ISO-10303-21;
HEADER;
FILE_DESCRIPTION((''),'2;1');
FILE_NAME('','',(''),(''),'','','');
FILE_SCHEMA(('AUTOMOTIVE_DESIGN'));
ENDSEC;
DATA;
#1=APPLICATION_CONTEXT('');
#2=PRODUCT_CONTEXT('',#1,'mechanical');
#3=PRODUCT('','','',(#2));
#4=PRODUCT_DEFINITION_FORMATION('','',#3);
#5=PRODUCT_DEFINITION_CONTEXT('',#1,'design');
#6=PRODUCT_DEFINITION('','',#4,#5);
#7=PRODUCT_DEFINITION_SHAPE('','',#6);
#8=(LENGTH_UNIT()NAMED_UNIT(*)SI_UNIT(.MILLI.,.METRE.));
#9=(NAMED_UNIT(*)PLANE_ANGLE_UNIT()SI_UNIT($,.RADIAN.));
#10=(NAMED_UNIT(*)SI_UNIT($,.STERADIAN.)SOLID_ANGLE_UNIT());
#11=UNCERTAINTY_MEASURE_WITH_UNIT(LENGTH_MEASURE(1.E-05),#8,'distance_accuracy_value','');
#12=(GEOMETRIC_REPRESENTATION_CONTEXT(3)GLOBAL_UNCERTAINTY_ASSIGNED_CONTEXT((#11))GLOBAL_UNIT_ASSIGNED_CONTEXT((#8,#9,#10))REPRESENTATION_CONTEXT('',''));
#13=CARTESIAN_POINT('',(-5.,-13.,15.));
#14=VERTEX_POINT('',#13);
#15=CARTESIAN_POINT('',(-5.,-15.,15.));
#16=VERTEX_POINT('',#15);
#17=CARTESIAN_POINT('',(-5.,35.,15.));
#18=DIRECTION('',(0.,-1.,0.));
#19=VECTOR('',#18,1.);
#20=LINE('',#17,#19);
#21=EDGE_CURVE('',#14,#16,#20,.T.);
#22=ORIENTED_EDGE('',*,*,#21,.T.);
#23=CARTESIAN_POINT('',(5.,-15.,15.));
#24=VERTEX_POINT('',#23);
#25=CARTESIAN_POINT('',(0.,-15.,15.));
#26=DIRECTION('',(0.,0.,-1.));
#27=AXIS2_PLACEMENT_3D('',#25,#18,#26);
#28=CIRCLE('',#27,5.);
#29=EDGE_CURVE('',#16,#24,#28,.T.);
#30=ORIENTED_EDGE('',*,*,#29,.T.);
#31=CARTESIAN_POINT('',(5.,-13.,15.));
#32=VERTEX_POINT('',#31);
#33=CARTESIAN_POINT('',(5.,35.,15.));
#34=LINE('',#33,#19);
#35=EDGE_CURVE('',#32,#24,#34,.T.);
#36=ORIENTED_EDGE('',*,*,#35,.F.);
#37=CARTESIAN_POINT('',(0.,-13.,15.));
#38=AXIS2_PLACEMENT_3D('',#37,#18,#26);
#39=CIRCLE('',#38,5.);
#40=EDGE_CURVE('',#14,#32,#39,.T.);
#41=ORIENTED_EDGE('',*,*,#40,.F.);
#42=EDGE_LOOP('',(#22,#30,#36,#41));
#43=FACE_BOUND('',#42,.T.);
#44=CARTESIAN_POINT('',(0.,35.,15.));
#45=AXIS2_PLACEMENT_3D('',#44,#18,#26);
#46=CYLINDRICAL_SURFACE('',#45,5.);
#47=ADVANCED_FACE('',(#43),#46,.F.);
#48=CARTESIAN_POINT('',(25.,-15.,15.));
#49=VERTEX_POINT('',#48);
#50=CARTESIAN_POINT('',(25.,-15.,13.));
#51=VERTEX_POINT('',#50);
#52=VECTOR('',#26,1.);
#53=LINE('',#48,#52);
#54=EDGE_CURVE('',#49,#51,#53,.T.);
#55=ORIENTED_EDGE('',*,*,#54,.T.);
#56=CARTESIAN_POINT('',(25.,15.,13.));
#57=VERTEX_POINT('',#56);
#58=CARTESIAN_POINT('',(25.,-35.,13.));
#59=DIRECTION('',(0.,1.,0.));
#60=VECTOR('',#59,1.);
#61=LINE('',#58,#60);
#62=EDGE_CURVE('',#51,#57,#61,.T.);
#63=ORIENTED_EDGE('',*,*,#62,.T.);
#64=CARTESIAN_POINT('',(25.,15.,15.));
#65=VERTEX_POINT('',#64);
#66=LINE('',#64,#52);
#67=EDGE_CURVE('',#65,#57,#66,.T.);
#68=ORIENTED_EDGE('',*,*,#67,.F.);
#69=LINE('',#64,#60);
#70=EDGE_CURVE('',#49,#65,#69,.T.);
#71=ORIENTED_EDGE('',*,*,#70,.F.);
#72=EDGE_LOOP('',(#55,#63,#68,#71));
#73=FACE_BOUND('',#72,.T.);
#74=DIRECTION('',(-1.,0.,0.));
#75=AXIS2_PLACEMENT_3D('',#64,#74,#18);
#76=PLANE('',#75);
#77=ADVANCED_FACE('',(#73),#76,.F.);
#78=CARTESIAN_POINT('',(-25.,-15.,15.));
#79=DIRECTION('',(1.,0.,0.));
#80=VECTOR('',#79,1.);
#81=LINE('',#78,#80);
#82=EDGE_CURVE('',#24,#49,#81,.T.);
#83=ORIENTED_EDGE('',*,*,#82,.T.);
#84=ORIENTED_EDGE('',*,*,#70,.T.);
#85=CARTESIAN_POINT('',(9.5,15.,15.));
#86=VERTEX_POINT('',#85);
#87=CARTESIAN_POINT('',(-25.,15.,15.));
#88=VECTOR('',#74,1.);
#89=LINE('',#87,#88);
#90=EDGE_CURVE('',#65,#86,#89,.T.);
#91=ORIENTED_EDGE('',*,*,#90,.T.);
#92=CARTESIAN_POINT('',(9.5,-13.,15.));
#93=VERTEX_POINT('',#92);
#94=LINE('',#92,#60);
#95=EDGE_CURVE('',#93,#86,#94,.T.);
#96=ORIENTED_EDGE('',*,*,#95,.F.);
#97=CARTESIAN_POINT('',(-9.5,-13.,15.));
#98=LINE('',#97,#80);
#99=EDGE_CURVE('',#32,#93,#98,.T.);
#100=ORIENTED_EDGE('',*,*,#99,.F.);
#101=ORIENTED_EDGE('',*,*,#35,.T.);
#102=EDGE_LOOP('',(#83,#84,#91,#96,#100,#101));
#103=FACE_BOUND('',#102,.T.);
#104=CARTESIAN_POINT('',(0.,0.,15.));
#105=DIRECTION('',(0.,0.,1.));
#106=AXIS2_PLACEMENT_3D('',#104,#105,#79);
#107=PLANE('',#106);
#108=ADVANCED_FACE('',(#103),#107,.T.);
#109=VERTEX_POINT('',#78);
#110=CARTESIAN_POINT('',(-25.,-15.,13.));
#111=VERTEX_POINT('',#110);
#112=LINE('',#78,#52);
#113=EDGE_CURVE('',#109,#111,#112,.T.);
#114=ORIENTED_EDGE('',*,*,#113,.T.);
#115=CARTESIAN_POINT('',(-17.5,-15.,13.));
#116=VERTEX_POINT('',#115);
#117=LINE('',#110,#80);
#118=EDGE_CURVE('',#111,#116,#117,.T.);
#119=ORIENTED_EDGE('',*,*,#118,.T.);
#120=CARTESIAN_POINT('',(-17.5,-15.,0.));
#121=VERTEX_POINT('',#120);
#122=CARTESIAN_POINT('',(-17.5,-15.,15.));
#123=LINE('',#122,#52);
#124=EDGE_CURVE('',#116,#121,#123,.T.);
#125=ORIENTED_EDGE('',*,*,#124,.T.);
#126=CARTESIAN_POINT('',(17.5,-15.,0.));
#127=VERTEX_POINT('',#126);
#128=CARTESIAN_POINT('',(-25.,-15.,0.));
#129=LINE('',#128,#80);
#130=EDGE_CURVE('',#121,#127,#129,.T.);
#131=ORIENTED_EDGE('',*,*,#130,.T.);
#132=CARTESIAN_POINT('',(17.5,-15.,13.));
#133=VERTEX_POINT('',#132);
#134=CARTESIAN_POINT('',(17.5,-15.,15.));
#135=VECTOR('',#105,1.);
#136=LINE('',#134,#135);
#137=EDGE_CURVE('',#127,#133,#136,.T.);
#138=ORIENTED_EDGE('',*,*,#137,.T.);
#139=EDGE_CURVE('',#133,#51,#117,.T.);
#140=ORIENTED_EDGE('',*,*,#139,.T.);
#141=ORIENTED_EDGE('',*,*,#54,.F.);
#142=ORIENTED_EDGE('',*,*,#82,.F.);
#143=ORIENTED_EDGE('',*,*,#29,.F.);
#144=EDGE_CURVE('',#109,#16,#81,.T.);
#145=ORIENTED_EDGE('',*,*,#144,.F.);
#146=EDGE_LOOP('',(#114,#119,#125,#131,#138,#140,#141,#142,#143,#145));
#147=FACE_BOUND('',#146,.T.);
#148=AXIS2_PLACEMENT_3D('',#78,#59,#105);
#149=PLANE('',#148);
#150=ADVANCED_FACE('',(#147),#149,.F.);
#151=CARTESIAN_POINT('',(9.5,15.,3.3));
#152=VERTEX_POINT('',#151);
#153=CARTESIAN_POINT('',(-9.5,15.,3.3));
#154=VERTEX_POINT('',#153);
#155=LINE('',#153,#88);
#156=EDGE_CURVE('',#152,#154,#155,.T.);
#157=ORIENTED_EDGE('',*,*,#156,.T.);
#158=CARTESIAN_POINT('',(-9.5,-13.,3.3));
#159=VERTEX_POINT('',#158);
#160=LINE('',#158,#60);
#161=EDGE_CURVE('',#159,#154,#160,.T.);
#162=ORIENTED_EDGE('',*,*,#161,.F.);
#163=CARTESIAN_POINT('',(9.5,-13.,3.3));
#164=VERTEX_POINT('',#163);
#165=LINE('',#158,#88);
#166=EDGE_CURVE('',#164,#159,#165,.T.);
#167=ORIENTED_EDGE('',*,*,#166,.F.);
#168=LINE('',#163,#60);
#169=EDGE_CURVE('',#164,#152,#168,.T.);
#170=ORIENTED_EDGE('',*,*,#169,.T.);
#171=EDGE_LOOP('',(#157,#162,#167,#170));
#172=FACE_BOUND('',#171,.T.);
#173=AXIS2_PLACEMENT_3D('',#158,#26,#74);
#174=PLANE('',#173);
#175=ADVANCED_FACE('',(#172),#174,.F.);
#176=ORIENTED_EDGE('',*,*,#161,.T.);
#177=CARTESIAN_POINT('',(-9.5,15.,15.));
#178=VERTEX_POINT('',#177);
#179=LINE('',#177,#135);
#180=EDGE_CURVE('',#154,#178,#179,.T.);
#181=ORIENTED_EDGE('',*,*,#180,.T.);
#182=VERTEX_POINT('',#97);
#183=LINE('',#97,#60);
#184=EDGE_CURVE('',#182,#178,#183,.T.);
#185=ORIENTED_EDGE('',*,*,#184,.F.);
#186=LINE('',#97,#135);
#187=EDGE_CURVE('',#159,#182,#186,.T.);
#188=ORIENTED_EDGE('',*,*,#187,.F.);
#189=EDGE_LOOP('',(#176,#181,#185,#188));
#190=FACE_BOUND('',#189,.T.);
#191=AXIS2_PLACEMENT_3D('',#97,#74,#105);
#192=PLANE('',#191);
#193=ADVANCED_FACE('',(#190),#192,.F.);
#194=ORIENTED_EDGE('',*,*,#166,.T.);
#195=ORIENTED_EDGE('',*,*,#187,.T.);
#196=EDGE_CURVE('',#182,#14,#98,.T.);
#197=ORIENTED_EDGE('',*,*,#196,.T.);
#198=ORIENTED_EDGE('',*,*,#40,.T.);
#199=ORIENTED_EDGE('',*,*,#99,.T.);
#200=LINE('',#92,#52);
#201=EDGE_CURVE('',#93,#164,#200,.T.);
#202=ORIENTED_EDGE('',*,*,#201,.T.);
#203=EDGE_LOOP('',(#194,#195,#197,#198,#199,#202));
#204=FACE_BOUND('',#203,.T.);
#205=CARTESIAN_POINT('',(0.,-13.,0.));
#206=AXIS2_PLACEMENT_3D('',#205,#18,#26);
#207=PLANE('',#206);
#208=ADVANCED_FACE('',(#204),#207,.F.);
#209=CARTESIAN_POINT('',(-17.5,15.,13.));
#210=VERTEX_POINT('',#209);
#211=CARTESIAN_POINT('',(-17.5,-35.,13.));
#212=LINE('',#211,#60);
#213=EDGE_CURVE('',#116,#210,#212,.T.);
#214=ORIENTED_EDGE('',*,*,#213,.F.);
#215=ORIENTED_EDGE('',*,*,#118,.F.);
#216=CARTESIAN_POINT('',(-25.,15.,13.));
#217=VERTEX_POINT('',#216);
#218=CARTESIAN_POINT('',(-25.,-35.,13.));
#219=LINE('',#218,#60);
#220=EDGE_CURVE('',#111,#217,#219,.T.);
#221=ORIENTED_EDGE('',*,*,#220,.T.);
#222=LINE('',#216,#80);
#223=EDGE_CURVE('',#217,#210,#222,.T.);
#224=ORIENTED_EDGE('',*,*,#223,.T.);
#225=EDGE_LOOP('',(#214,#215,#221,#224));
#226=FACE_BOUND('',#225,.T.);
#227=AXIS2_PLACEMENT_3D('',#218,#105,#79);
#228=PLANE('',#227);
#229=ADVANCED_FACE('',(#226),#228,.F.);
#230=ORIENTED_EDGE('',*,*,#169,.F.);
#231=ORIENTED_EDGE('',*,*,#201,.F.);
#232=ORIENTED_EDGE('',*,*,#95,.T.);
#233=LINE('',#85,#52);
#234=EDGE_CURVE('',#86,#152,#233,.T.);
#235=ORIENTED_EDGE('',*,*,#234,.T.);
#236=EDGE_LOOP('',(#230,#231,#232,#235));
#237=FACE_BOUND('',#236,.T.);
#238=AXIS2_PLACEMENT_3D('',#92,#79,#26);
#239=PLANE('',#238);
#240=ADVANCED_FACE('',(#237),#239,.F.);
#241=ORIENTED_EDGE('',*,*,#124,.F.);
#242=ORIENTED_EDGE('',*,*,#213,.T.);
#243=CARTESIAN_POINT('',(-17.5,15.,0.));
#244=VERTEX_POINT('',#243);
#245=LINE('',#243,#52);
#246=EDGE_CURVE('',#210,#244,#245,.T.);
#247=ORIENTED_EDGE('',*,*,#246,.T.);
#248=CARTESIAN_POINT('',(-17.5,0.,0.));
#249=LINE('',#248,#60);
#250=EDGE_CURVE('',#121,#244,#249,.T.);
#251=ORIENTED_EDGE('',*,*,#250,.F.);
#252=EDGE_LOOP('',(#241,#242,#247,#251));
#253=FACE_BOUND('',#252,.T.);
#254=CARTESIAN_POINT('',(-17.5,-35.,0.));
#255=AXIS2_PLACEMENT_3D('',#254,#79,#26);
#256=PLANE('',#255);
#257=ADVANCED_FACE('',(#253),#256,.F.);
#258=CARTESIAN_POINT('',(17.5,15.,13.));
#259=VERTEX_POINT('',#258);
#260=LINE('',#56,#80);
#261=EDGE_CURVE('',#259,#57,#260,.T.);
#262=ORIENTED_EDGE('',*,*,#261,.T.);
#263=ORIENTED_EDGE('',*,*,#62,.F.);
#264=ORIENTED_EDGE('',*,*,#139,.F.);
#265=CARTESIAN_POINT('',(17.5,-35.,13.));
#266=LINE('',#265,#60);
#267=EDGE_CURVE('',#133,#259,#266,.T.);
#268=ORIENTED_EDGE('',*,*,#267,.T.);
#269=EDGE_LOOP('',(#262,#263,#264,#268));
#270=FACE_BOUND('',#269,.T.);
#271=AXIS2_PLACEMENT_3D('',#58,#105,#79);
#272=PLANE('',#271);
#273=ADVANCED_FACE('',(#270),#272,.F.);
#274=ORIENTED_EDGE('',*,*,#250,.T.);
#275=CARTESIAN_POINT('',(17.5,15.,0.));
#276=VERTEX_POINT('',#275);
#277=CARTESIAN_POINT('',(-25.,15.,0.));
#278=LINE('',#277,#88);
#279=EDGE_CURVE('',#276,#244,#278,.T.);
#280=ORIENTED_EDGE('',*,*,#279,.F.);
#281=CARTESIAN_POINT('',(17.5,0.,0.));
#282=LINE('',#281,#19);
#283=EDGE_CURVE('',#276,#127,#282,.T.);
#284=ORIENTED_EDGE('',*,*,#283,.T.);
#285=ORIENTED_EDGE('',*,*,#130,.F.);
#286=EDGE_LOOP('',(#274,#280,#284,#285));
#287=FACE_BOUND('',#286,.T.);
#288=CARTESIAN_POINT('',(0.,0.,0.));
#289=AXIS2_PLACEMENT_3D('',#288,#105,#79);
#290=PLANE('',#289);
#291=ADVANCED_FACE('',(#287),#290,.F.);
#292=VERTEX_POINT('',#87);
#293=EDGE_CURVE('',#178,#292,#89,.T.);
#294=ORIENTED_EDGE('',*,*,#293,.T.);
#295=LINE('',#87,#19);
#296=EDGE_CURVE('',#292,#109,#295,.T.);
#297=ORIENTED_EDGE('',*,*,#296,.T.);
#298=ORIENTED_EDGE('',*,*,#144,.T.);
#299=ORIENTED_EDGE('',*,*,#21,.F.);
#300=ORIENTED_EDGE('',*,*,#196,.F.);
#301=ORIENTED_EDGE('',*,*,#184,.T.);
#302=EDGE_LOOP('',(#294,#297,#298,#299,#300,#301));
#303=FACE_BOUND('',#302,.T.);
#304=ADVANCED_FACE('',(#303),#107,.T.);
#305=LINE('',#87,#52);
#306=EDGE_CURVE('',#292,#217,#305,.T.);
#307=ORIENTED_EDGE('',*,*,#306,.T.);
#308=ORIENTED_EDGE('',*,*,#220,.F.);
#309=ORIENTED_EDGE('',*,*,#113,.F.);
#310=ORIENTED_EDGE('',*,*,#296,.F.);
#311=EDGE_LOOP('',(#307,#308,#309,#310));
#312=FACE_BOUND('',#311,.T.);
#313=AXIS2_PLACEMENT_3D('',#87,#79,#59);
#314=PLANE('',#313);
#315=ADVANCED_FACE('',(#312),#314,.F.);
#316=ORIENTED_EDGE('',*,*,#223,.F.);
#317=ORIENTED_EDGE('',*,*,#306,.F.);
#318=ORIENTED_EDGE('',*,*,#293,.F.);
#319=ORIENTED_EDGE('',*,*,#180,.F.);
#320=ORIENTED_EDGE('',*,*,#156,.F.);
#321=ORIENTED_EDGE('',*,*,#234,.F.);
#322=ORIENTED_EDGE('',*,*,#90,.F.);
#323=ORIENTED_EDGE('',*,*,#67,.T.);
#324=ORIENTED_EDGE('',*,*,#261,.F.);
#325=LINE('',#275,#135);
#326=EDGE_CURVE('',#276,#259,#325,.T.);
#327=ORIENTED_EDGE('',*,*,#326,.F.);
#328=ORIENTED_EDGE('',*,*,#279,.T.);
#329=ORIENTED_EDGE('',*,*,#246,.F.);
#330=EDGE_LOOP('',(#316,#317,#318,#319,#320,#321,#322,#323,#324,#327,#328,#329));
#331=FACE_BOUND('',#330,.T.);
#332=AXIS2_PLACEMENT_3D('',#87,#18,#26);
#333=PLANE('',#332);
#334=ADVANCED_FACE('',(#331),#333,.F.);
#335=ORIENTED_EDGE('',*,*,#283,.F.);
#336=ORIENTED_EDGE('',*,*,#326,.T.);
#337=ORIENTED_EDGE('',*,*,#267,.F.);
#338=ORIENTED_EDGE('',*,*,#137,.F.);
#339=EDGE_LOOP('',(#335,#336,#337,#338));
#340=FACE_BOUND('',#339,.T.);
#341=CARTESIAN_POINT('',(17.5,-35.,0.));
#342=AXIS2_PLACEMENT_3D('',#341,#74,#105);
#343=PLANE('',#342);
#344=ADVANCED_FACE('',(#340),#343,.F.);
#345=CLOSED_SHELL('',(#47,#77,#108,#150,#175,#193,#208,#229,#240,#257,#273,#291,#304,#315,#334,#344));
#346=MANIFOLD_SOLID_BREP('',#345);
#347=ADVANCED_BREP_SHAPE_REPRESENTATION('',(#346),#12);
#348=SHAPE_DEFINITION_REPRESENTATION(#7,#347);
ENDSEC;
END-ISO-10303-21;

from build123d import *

# Parameters (mm, degrees)
SKETCH_1_W          = 50
SKETCH_1_H          = 30
EXTRUDE_1_DEPTH     = 15
SKETCH_2_W          = 19
SKETCH_2_H          = 11.7
CUT_EXTRUDE_1_DEPTH = 28
SKETCH_4_W          = 7.5
SKETCH_4_H          = 13
CUT_EXTRUDE_3_DEPTH = 50
SKETCH_5_W          = 7.5
SKETCH_5_H          = 13
CUT_EXTRUDE_4_DEPTH = 50
CUT_EXTRUDE_5_DEPTH = 50


with BuildPart() as part:
    # Эскиз1 → Бобышка-Вытянуть1 (new body)
    with BuildSketch(Plane.XY):
        Rectangle(SKETCH_1_W, SKETCH_1_H)
    extrude(amount=EXTRUDE_1_DEPTH)

    # Эскиз2 → Вырез-Вытянуть1 (cut)
    with BuildSketch(Plane(origin=(0, 15, 0), x_dir=(1, 0, 0), z_dir=(0, 1, 0))):
        with Locations((0, -9.15)):
            Rectangle(SKETCH_2_W, SKETCH_2_H)
    extrude(amount=-CUT_EXTRUDE_1_DEPTH, mode=Mode.SUBTRACT)

    # Эскиз4 → Вырез-Вытянуть3 (cut)
    with BuildSketch(Plane(origin=(0, 15, 0), x_dir=(1, 0, 0), z_dir=(0, 1, 0))):
        with Locations((-21.25, -6.5)):
            Rectangle(SKETCH_4_W, SKETCH_4_H)
    extrude(amount=-CUT_EXTRUDE_3_DEPTH, mode=Mode.SUBTRACT)

    # Эскиз5 → Вырез-Вытянуть4 (cut)
    with BuildSketch(Plane(origin=(0, 15, 0), x_dir=(1, 0, 0), z_dir=(0, 1, 0))):
        with Locations((21.25, -6.5)):
            Rectangle(SKETCH_5_W, SKETCH_5_H)
    extrude(amount=-CUT_EXTRUDE_4_DEPTH, mode=Mode.SUBTRACT)

    # Эскиз6 → Вырез-Вытянуть5 (cut)
    with BuildSketch(Plane.XZ.offset(15)):
        with BuildLine():
            Line((-5, 15), (5, 15))
            ThreePointArc((5, 15), (0, 10), (-5, 15))
        make_face()
    extrude(amount=-CUT_EXTRUDE_5_DEPTH, mode=Mode.SUBTRACT)


solid = part.part
